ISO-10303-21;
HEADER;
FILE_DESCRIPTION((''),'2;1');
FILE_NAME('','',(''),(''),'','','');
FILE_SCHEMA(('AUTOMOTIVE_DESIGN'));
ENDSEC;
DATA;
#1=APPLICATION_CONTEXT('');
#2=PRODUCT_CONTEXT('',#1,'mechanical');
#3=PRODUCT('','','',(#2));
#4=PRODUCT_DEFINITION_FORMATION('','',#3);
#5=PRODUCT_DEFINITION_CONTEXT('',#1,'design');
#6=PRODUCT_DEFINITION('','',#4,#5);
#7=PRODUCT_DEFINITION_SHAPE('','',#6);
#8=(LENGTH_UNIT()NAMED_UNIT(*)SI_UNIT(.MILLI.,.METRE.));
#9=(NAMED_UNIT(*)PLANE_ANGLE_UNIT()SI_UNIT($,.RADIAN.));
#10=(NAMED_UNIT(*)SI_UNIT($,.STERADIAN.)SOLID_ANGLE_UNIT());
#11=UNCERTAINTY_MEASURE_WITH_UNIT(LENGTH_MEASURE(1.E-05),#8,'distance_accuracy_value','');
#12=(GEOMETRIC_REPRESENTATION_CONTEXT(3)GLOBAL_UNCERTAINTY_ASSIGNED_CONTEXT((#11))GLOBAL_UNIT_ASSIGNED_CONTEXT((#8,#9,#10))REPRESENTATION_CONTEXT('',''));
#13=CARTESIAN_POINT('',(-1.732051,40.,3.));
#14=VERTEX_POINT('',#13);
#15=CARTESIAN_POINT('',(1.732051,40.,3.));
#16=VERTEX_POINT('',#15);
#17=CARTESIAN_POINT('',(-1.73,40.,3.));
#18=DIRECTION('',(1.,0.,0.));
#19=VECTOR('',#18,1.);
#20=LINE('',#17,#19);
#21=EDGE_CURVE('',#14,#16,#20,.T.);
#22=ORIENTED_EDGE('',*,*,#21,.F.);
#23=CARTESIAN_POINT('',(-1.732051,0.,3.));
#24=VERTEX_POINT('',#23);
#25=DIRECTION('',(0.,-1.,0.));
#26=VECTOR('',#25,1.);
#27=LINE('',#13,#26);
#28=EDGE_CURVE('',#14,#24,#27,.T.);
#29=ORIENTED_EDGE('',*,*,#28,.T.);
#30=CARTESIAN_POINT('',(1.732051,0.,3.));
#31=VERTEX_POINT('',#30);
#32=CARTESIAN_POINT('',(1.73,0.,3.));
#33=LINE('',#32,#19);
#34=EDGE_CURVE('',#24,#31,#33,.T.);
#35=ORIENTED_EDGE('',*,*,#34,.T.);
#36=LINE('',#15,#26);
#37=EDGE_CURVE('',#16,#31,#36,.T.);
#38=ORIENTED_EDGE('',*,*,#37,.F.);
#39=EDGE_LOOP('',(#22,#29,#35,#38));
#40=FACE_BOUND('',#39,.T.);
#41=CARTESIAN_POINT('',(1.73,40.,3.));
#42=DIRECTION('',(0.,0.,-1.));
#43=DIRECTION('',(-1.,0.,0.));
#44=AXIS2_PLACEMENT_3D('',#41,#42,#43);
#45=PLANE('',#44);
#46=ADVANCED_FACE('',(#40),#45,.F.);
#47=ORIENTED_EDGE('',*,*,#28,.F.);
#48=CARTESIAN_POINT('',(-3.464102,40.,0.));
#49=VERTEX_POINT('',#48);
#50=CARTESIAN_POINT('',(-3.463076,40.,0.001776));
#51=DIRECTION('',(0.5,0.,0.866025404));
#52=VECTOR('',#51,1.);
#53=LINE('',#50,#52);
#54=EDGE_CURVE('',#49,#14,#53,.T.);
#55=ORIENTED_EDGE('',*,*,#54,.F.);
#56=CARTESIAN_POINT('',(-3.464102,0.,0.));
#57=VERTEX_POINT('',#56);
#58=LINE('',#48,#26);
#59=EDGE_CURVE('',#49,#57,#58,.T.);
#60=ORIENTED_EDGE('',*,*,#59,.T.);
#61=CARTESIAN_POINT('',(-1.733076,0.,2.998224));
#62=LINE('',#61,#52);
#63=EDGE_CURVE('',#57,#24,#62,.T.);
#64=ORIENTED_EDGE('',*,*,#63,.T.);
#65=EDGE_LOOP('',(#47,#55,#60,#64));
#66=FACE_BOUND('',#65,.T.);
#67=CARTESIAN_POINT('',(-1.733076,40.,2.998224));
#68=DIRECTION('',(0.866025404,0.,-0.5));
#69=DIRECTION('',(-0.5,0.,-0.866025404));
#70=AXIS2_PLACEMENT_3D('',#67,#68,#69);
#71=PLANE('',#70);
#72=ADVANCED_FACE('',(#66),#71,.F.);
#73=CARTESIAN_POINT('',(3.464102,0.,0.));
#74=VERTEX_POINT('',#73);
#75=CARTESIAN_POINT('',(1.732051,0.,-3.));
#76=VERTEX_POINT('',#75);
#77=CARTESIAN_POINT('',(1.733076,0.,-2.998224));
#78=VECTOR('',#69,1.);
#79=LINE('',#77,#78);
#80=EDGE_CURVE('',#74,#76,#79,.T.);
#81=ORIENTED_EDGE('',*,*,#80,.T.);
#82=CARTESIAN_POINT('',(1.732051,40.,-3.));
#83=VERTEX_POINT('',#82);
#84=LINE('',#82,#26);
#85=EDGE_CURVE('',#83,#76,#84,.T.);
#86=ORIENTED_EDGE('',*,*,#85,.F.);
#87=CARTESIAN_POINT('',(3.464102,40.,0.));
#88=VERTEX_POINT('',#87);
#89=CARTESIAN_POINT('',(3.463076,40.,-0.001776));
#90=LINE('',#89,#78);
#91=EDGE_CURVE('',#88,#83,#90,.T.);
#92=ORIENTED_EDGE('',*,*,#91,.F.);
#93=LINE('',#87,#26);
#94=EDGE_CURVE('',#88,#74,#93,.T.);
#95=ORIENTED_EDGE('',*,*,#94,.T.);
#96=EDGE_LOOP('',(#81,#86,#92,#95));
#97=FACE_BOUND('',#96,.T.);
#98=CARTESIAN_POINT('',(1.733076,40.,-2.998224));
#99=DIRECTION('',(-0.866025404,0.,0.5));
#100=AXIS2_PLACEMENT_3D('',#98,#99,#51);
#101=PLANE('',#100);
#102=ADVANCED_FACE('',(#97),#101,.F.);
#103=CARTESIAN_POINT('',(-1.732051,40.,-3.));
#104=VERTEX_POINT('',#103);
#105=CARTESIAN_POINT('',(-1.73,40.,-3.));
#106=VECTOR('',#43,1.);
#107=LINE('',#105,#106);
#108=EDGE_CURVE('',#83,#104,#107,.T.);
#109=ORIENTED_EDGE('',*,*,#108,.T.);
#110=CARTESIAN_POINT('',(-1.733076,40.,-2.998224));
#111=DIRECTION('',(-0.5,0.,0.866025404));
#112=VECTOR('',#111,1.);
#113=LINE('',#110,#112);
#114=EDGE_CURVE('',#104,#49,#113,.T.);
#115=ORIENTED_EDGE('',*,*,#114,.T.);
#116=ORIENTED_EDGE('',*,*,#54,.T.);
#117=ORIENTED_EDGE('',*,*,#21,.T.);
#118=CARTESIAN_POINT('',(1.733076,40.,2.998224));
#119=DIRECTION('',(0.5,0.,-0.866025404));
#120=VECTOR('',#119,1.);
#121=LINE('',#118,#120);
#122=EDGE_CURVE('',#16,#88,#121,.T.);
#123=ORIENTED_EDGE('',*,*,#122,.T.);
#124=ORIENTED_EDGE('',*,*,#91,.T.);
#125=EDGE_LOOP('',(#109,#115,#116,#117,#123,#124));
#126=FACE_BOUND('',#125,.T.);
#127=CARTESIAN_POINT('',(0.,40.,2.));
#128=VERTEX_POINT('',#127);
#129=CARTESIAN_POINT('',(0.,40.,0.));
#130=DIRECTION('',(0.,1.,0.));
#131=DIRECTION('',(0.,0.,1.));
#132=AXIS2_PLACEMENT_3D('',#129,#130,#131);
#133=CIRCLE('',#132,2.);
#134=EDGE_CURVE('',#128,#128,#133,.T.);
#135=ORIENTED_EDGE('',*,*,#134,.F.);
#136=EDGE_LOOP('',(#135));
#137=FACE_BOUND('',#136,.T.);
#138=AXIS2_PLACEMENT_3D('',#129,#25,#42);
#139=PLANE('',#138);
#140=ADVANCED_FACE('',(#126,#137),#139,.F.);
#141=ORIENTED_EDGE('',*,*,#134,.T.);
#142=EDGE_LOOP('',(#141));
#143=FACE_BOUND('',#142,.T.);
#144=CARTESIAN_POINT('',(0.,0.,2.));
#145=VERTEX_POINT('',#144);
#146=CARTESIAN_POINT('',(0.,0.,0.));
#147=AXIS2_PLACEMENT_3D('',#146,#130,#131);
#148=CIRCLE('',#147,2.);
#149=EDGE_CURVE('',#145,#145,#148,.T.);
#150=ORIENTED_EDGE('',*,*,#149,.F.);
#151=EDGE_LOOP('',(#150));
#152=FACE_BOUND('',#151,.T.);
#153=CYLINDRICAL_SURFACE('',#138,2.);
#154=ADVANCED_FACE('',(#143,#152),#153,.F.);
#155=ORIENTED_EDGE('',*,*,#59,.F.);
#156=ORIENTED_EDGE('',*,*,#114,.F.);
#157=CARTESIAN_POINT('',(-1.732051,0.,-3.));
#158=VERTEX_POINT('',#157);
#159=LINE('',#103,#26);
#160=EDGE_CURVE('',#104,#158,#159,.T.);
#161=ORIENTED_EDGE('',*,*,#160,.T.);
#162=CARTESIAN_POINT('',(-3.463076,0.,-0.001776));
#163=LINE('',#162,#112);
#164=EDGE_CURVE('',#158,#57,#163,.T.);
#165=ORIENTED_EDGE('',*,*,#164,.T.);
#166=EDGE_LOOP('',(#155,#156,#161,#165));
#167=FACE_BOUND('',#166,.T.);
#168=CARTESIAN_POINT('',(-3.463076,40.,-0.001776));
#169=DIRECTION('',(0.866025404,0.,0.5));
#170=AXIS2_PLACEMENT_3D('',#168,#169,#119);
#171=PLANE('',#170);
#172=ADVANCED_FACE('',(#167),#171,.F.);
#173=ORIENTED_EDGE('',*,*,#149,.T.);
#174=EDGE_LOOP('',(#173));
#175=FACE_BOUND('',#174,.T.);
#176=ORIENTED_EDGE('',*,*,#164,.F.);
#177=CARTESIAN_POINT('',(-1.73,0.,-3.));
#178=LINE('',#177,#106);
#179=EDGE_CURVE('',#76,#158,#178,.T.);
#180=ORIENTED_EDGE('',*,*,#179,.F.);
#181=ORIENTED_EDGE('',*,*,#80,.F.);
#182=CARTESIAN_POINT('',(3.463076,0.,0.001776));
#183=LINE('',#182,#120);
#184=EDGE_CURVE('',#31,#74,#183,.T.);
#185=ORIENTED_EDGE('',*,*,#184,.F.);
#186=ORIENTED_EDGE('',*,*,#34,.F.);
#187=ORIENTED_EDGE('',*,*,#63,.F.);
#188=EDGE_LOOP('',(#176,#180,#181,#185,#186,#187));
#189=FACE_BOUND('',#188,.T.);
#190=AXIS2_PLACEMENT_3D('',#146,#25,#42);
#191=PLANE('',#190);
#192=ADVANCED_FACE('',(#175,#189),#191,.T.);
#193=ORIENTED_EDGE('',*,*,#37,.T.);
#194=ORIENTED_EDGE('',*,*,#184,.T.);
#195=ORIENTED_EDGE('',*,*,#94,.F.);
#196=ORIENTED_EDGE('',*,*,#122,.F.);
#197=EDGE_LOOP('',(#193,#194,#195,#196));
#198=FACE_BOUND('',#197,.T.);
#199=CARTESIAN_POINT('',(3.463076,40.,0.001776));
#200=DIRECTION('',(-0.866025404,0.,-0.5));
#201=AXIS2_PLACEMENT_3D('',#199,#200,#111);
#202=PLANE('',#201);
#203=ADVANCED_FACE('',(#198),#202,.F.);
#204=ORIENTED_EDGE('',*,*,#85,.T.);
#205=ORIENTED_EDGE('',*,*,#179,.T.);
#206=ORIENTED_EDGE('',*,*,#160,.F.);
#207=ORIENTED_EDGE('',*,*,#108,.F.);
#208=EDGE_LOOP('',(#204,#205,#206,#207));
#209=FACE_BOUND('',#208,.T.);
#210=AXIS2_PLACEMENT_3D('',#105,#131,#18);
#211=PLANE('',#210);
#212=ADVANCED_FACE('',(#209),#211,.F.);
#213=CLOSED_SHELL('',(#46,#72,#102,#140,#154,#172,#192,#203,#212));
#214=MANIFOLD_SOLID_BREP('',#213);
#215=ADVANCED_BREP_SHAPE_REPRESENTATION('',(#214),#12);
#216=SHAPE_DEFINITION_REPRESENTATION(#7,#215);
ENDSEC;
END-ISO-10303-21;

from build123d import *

# Parameters (mm, degrees)
SKETCH_1_R      = 2
EXTRUDE_2_DEPTH = 40


with BuildPart() as part:
    # 草图1 → 凸台-拉伸2 (new body)
    with BuildSketch(Plane(origin=(0, 0, 0), x_dir=(1, 0, 0), z_dir=(0, 1, 0))):
        Polygon((-1.73, 3), (1.73, 3), (1.732050808, 3), (1.733076211, 2.998223949), (3.463076211, 0.001776051), (3.464101615, 0), (3.463076211, -0.001776051), (1.733076211, -2.998223949), (1.732050808, -3), (1.73, -3), (-1.73, -3), (-1.732050808, -3), (-1.733076211, -2.998223949), (-3.463076211, -0.001776051), (-3.464101615, 0), (-3.463076211, 0.001776051), (-1.733076211, 2.998223949), (-1.732050808, 3), align=None)
        with Locations(Location((0, 0, 0), (0, 0, 270))):
            Circle(SKETCH_1_R, mode=Mode.SUBTRACT)
    extrude(amount=EXTRUDE_2_DEPTH)


solid = part.part
